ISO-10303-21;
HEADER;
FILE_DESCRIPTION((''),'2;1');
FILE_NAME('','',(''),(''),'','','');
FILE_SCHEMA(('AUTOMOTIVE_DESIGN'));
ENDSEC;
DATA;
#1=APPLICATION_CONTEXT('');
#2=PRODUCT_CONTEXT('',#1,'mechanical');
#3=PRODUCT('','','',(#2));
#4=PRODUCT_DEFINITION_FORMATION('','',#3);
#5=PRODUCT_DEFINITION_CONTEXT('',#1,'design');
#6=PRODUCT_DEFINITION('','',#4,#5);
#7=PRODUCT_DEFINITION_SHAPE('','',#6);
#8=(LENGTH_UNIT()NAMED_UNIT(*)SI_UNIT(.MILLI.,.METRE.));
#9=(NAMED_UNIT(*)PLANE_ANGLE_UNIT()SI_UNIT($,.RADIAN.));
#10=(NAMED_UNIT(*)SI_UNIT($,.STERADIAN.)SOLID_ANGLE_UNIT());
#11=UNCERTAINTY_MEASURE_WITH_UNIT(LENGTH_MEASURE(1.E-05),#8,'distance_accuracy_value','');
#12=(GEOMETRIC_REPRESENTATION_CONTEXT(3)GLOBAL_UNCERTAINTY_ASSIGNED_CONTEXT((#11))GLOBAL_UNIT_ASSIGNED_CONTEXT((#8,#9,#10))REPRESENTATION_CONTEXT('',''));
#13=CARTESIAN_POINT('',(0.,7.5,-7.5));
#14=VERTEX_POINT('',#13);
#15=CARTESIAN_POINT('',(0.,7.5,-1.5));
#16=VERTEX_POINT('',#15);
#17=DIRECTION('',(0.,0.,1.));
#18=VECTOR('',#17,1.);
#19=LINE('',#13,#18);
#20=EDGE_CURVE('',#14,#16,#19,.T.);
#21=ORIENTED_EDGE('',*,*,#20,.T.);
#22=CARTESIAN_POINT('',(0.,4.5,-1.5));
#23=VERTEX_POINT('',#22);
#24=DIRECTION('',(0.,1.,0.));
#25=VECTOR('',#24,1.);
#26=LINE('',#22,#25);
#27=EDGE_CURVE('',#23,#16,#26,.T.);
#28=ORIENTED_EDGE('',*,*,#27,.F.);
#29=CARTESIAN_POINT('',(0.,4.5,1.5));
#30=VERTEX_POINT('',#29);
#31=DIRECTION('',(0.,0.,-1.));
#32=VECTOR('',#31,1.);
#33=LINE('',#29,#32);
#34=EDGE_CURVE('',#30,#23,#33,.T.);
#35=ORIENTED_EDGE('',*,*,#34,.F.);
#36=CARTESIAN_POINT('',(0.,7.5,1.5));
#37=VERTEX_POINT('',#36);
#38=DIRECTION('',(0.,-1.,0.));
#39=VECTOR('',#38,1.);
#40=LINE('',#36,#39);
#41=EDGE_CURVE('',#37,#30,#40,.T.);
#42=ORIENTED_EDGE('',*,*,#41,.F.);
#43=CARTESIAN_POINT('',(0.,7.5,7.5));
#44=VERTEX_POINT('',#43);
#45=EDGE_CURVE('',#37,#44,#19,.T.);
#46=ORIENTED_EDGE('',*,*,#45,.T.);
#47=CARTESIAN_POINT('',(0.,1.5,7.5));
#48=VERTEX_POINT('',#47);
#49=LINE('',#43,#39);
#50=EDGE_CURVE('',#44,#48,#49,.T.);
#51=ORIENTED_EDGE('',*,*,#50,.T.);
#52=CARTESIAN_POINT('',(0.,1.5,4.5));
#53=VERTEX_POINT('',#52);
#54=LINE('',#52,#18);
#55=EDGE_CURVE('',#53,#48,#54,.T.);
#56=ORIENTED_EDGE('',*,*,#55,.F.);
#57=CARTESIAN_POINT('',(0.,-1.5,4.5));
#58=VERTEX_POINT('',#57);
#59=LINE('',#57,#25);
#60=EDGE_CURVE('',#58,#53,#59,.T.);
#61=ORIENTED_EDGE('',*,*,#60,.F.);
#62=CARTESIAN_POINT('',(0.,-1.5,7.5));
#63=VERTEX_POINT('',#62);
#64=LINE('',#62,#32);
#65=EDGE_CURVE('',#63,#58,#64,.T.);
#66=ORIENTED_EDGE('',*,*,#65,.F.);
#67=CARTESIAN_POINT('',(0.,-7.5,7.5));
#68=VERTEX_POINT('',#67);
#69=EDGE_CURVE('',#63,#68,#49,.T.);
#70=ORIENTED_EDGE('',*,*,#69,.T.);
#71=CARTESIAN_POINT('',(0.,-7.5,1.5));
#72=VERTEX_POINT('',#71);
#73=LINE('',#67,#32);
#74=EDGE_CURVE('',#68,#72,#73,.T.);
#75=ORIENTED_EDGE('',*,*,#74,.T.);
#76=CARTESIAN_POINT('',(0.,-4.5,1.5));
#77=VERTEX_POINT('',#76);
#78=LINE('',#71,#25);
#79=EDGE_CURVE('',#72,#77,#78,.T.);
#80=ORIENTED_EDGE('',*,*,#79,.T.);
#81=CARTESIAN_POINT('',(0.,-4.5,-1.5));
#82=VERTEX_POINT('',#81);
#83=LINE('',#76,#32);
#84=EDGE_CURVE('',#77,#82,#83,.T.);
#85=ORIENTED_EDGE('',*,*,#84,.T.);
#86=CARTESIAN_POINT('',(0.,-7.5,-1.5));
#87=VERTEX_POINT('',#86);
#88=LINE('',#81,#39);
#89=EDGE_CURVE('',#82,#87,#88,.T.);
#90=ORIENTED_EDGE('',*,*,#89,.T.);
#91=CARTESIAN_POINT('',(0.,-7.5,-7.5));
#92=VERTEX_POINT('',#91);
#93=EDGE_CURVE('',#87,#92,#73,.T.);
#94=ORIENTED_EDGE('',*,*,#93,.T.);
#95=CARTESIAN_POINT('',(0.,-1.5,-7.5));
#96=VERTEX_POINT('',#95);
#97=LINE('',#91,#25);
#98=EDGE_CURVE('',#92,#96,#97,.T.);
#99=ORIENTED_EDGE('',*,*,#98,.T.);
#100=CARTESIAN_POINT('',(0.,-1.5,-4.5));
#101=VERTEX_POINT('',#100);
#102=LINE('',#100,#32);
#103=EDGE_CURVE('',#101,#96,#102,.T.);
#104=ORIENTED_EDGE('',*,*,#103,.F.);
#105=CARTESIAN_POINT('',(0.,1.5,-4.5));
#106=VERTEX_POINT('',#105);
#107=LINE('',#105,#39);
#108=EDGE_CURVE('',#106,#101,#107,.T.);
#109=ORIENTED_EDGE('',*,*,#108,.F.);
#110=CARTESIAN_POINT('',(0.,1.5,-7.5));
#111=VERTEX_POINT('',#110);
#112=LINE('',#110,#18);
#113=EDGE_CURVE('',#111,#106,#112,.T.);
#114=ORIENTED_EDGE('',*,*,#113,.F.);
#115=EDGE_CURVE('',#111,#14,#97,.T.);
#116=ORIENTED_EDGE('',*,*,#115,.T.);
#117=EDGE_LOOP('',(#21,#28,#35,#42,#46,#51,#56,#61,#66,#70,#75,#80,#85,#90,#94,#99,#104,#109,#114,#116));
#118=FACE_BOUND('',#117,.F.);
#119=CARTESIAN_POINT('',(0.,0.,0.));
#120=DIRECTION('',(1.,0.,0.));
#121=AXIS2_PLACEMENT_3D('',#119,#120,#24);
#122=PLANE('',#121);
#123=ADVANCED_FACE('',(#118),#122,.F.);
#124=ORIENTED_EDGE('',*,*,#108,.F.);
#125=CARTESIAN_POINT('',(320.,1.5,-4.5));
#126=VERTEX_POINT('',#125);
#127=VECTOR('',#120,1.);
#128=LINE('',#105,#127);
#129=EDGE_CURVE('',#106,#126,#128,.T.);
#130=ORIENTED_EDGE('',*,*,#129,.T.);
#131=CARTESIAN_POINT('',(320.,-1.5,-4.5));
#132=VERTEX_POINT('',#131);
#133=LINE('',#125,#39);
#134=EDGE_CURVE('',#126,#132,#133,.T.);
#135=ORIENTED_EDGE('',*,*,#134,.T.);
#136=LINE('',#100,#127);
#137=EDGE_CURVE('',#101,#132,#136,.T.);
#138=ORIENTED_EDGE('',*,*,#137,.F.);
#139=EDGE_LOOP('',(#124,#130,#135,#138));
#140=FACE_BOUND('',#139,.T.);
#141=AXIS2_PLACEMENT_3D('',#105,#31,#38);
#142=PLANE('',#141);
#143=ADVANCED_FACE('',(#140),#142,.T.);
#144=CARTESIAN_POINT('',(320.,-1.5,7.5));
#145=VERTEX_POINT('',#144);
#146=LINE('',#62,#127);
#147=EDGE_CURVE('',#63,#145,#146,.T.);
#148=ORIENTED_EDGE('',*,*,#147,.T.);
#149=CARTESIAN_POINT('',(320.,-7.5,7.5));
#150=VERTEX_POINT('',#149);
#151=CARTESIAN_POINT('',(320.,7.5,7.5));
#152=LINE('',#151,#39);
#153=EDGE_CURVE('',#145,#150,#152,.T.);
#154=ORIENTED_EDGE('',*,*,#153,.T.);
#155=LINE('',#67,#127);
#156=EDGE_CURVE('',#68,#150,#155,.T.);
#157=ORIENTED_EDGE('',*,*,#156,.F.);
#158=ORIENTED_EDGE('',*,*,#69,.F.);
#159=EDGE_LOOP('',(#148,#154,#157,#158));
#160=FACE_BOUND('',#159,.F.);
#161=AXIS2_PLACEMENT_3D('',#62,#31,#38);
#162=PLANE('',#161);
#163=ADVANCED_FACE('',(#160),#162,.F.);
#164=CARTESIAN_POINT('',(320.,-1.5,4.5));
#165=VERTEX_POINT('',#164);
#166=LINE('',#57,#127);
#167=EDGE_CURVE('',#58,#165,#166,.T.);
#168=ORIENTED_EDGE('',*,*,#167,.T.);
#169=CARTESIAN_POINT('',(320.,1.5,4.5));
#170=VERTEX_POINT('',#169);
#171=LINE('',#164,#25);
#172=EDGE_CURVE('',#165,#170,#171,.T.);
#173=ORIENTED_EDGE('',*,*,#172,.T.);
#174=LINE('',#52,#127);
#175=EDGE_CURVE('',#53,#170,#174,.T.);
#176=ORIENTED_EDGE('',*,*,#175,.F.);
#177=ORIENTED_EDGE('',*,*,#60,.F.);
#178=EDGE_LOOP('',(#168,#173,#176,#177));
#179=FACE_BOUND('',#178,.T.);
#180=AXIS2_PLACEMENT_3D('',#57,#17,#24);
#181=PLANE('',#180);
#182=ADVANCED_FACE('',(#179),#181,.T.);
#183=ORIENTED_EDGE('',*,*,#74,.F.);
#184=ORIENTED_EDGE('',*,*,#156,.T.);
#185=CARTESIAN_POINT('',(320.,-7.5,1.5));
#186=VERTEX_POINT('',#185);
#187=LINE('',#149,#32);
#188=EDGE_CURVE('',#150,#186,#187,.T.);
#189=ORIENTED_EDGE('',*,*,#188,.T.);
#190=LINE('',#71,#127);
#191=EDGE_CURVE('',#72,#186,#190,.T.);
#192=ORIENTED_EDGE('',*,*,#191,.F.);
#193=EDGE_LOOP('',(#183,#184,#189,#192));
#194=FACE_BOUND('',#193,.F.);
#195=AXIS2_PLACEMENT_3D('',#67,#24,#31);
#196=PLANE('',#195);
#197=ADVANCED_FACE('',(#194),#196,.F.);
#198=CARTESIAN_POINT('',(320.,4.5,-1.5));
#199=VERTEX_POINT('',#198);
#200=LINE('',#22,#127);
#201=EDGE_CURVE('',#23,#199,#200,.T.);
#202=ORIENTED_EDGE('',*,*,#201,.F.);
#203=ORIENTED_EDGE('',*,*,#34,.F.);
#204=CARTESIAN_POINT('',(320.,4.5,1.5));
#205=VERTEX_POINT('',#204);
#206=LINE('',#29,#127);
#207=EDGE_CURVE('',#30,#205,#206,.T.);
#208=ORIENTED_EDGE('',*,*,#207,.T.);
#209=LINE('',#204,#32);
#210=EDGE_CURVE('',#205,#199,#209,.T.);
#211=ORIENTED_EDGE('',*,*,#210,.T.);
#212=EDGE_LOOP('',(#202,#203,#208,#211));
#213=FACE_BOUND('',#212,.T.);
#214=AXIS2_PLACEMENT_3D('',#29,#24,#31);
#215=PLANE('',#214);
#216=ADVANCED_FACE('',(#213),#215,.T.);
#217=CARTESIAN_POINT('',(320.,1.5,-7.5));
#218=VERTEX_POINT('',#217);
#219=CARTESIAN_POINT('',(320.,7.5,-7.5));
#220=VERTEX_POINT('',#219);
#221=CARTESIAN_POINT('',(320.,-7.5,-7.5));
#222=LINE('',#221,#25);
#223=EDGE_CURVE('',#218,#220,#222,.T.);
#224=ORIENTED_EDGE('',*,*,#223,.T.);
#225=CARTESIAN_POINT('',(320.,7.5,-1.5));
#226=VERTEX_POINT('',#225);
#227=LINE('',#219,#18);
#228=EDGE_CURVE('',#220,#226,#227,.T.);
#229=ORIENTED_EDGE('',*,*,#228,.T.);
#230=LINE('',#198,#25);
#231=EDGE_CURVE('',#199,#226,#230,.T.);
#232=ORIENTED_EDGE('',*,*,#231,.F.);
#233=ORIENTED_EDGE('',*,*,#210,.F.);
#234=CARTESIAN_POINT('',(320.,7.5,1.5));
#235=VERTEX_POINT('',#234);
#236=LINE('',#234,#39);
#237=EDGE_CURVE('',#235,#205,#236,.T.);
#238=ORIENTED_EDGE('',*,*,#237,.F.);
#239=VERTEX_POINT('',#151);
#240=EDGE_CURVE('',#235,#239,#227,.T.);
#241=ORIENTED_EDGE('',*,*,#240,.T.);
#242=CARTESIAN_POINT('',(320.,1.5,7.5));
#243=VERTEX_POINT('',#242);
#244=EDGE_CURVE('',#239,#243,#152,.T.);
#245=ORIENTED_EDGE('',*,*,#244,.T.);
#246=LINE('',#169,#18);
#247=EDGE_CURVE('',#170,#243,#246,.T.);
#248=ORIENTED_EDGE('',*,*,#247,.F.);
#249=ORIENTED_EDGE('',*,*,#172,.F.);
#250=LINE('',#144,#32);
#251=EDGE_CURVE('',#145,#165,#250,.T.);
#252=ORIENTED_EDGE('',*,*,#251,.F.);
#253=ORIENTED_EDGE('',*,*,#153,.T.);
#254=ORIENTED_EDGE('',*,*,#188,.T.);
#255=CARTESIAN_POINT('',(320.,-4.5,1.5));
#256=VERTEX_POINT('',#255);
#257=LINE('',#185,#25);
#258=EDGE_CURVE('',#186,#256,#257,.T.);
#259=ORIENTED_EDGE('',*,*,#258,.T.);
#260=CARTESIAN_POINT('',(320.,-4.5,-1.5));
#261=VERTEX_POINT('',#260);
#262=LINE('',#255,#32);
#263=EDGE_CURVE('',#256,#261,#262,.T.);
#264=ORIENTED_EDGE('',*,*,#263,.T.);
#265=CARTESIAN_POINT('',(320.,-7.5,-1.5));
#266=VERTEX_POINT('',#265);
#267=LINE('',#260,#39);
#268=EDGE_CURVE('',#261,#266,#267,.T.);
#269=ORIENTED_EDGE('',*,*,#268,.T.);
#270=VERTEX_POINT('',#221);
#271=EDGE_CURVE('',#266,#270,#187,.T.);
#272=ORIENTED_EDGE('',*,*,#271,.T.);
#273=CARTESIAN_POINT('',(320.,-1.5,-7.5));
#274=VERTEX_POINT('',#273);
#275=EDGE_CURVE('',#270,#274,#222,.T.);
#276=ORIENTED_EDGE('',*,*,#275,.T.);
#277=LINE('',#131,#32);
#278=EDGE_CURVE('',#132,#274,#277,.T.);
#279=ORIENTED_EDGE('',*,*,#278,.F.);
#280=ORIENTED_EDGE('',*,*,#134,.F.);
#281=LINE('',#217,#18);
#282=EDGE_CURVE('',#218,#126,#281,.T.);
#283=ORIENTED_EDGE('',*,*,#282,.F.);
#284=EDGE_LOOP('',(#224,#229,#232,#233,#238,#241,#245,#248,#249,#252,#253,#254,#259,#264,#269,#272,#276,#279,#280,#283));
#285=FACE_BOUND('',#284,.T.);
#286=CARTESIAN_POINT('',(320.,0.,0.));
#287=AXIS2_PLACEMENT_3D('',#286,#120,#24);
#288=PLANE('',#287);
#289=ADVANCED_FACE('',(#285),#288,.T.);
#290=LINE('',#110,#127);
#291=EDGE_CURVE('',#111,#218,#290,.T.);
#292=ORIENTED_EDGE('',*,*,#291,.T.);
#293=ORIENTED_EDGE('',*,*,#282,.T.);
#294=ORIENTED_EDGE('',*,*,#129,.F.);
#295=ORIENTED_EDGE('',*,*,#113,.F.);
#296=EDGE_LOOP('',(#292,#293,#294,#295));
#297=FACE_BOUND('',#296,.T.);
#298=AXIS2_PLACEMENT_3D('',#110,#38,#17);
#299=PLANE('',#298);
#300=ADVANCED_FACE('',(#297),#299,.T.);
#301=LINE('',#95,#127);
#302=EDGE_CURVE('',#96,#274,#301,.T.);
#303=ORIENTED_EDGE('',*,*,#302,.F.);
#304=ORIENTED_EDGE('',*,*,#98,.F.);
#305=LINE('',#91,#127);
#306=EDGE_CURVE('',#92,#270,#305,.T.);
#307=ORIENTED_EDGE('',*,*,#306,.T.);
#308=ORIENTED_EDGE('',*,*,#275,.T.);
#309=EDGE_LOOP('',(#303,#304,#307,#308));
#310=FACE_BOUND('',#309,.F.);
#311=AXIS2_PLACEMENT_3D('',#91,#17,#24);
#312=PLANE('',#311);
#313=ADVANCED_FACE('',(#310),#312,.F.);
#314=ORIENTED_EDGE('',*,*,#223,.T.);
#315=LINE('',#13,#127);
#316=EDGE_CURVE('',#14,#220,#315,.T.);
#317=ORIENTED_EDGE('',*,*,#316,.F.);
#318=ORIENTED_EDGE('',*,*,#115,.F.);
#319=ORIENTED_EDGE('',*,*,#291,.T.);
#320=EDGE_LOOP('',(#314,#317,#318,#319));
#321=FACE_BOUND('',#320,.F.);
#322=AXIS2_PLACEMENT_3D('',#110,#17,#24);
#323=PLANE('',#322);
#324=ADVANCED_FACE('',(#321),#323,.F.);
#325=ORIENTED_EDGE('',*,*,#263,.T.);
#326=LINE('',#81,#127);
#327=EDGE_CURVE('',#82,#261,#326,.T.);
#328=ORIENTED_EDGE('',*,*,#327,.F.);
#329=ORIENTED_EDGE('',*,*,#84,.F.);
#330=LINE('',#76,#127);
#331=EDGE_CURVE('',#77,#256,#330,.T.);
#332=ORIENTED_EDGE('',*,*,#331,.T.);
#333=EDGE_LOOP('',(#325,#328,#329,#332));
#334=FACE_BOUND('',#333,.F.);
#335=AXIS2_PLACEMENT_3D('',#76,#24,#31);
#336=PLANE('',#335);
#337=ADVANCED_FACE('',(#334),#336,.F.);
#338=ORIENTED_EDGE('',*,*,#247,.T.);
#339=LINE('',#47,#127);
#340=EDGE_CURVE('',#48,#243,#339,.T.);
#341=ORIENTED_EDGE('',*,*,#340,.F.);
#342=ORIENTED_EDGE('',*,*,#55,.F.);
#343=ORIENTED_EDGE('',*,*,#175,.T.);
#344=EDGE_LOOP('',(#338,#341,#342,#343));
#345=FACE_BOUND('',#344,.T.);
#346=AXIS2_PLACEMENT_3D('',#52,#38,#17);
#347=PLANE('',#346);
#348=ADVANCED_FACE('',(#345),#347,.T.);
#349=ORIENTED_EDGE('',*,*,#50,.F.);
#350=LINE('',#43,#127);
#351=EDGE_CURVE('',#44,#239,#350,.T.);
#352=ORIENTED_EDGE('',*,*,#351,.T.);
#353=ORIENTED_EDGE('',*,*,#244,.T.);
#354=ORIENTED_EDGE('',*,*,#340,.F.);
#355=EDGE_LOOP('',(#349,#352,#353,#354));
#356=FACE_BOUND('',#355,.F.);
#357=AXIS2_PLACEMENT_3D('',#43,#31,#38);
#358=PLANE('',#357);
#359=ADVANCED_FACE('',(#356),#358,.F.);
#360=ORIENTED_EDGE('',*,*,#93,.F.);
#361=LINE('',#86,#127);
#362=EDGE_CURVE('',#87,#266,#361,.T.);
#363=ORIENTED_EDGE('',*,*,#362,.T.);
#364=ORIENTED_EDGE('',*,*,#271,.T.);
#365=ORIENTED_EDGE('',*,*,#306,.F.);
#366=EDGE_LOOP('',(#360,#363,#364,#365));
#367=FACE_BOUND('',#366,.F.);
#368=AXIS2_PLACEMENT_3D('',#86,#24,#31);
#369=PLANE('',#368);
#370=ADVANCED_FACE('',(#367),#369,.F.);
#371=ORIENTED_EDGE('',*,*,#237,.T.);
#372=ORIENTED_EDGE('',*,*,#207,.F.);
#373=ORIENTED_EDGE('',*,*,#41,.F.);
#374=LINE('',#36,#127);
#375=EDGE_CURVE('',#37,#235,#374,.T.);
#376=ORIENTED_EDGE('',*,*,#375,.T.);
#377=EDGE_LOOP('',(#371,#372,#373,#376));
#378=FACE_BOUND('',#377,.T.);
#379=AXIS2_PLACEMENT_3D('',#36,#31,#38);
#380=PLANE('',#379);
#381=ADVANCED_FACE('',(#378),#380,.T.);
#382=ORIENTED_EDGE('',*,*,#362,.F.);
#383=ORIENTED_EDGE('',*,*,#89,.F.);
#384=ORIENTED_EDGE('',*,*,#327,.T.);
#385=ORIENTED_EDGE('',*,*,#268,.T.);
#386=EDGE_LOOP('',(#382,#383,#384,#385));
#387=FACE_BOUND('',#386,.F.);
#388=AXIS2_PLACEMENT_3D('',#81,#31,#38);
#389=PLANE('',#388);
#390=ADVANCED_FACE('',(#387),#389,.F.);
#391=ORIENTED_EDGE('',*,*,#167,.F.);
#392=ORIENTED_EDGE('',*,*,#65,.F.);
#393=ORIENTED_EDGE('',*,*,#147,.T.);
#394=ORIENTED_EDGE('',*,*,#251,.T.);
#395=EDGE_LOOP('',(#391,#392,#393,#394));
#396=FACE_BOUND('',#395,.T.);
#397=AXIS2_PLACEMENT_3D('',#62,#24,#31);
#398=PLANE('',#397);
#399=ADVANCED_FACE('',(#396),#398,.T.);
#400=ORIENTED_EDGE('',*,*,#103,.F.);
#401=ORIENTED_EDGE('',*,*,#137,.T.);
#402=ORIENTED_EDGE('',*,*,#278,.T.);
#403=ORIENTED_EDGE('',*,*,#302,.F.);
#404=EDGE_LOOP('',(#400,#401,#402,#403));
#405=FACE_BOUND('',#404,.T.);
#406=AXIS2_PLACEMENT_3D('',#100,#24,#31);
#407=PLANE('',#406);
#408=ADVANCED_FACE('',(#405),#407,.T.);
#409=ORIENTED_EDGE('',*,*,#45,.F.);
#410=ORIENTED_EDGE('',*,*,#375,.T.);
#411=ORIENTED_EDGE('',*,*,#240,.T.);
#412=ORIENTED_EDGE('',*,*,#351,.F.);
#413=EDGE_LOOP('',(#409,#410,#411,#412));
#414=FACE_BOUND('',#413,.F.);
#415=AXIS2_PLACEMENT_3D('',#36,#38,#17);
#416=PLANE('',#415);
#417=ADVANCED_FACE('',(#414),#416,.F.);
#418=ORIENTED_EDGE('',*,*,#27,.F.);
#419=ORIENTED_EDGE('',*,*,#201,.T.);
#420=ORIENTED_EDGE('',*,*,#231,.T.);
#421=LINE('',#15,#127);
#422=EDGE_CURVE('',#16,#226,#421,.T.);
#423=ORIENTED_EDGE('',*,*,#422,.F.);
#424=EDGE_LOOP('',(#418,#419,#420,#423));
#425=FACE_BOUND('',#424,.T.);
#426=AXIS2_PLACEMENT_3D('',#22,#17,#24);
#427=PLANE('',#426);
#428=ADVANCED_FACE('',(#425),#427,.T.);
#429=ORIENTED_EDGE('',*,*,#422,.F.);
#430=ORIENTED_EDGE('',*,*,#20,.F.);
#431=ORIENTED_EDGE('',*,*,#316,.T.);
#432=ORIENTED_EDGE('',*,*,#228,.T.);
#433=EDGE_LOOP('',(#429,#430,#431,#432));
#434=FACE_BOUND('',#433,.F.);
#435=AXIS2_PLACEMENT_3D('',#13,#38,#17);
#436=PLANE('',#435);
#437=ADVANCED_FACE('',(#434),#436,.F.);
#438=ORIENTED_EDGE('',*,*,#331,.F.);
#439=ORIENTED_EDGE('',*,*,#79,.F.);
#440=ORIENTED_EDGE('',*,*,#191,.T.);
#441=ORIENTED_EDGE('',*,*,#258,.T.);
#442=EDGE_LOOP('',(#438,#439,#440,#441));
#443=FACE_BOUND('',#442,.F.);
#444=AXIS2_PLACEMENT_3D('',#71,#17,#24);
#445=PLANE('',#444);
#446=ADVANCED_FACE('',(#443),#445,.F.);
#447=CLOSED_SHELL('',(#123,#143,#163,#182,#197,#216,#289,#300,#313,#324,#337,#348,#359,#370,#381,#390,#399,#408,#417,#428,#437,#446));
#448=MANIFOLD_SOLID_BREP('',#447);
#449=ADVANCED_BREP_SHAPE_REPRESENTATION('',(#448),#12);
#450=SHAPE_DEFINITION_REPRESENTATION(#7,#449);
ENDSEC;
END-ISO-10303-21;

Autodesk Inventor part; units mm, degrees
ref_plane "YZ Plane" through (0, 0, 0) normal (1, 0, 0) x (0, 1, 0)
ref_plane "XZ Plane" through (0, 0, 0) normal (0, 1, 0) x (-1, 0, 0)
ref_plane "XY Plane" through (0, 0, 0) normal (0, 0, 1) x (1, 0, 0)
sketch "Sketch1" plane through (0, 0, 0) normal (1, 0, 0) x (0, 1, 0)
  line L0 (-7.5, -7.5) -> (7.5, -7.5)
  line L1 (7.5, -7.5) -> (7.5, 7.5)
  line L2 (7.5, 7.5) -> (-7.5, 7.5)
  line L3 (-7.5, 7.5) -> (-7.5, -7.5)
  line L4 (-7.5, -7.5) -> (7.5, 7.5) construction
  line L5 (7.5, -7.5) -> (-7.5, 7.5) construction
  line L6 (7.5, 1.5) -> (4.5, 1.5)
  line L7 (4.5, 1.5) -> (4.5, -1.5)
  line L8 (4.5, -1.5) -> (7.5, -1.5)
  line L9 (7.5, -1.5) -> (7.5, 1.5)
  line L10 (1.5, 7.5) -> (-1.5, 7.5)
  line L11 (-1.5, 7.5) -> (-1.5, 4.5)
  line L12 (-1.5, 4.5) -> (1.5, 4.5)
  line L13 (1.5, 4.5) -> (1.5, 7.5)
  line L14 (-7.5, 1.5) -> (-4.5, 1.5)
  line L15 (-4.5, 1.5) -> (-4.5, -1.5)
  line L16 (-4.5, -1.5) -> (-7.5, -1.5)
  line L17 (-7.5, -1.5) -> (-7.5, 1.5)
  line L18 (-1.5, -7.5) -> (1.5, -7.5)
  line L19 (1.5, -7.5) -> (1.5, -4.5)
  line L20 (1.5, -4.5) -> (-1.5, -4.5)
  line L21 (-1.5, -4.5) -> (-1.5, -7.5)
  point P0 (0, 0)
  dimension "d0" = 15
  dimension "d1" = 3
  dimension "d2" = 3
  dimension "d3" = 1.5
  dimension "d4" = 1.5
extrude "Extrusion1" add sketch "Sketch1" along normal blind 320 contours L3 L16 L15 L14 L2 L11 L12 L13 L1 L6 L7 L8 L0 L19 L20 L21
equation "\"d3\" = 0.5 * d2"
equation "\"d4\" = d3"
properties part number "Beam_320mm" material "Aluminum 6061"
